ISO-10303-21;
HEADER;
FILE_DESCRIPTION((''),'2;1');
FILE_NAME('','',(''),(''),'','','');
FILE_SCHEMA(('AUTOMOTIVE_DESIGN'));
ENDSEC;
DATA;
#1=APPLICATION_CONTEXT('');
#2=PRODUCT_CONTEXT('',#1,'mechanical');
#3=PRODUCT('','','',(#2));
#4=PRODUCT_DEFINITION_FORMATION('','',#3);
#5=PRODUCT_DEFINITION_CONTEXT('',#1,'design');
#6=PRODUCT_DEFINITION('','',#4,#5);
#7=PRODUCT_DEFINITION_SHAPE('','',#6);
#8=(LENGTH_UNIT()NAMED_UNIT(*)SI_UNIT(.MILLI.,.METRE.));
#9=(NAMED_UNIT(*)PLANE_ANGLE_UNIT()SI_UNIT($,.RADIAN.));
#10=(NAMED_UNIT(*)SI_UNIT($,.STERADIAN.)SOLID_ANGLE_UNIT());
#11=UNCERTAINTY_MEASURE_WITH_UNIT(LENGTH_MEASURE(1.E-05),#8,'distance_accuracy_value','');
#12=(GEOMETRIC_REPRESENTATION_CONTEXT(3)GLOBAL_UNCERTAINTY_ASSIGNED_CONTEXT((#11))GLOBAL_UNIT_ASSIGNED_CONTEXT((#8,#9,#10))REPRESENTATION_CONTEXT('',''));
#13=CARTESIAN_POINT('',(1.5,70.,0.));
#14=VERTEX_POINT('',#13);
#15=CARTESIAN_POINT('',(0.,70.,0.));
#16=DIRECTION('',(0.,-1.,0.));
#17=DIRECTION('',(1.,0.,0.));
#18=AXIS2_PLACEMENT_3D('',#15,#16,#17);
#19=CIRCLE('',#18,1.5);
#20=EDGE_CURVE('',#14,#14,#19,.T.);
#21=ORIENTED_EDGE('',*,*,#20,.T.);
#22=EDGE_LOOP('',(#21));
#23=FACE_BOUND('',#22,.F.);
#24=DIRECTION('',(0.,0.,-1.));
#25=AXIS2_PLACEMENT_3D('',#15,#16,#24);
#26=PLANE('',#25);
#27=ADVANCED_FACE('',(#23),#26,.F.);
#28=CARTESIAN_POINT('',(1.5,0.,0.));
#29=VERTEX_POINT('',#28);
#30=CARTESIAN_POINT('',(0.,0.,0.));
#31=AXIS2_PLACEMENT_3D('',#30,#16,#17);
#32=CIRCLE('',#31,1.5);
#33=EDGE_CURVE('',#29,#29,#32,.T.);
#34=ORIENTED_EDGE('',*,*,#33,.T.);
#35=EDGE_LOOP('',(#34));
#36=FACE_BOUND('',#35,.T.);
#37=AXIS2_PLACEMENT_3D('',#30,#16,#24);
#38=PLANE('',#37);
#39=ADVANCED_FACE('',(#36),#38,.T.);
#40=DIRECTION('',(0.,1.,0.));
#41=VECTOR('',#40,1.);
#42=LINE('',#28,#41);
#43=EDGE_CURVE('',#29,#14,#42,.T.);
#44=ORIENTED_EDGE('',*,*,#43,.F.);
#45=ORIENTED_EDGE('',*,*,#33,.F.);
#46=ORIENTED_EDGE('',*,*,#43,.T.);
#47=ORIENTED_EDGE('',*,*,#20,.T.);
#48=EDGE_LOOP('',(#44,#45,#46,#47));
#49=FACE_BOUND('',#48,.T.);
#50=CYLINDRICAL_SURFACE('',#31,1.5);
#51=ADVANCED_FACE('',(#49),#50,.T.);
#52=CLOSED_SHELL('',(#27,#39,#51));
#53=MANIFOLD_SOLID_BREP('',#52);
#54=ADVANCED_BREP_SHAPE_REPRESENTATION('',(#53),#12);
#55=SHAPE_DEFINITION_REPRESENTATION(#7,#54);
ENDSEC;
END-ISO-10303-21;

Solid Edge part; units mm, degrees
sketch "Sketch1" plane through (0, 0, 0) normal (0, -1, 0) x (1, 0, 0)
  circle A0 centre (0, 0) radius 1.5
extrude "Protrusion1" add sketch "Sketch1" against normal blind 70
